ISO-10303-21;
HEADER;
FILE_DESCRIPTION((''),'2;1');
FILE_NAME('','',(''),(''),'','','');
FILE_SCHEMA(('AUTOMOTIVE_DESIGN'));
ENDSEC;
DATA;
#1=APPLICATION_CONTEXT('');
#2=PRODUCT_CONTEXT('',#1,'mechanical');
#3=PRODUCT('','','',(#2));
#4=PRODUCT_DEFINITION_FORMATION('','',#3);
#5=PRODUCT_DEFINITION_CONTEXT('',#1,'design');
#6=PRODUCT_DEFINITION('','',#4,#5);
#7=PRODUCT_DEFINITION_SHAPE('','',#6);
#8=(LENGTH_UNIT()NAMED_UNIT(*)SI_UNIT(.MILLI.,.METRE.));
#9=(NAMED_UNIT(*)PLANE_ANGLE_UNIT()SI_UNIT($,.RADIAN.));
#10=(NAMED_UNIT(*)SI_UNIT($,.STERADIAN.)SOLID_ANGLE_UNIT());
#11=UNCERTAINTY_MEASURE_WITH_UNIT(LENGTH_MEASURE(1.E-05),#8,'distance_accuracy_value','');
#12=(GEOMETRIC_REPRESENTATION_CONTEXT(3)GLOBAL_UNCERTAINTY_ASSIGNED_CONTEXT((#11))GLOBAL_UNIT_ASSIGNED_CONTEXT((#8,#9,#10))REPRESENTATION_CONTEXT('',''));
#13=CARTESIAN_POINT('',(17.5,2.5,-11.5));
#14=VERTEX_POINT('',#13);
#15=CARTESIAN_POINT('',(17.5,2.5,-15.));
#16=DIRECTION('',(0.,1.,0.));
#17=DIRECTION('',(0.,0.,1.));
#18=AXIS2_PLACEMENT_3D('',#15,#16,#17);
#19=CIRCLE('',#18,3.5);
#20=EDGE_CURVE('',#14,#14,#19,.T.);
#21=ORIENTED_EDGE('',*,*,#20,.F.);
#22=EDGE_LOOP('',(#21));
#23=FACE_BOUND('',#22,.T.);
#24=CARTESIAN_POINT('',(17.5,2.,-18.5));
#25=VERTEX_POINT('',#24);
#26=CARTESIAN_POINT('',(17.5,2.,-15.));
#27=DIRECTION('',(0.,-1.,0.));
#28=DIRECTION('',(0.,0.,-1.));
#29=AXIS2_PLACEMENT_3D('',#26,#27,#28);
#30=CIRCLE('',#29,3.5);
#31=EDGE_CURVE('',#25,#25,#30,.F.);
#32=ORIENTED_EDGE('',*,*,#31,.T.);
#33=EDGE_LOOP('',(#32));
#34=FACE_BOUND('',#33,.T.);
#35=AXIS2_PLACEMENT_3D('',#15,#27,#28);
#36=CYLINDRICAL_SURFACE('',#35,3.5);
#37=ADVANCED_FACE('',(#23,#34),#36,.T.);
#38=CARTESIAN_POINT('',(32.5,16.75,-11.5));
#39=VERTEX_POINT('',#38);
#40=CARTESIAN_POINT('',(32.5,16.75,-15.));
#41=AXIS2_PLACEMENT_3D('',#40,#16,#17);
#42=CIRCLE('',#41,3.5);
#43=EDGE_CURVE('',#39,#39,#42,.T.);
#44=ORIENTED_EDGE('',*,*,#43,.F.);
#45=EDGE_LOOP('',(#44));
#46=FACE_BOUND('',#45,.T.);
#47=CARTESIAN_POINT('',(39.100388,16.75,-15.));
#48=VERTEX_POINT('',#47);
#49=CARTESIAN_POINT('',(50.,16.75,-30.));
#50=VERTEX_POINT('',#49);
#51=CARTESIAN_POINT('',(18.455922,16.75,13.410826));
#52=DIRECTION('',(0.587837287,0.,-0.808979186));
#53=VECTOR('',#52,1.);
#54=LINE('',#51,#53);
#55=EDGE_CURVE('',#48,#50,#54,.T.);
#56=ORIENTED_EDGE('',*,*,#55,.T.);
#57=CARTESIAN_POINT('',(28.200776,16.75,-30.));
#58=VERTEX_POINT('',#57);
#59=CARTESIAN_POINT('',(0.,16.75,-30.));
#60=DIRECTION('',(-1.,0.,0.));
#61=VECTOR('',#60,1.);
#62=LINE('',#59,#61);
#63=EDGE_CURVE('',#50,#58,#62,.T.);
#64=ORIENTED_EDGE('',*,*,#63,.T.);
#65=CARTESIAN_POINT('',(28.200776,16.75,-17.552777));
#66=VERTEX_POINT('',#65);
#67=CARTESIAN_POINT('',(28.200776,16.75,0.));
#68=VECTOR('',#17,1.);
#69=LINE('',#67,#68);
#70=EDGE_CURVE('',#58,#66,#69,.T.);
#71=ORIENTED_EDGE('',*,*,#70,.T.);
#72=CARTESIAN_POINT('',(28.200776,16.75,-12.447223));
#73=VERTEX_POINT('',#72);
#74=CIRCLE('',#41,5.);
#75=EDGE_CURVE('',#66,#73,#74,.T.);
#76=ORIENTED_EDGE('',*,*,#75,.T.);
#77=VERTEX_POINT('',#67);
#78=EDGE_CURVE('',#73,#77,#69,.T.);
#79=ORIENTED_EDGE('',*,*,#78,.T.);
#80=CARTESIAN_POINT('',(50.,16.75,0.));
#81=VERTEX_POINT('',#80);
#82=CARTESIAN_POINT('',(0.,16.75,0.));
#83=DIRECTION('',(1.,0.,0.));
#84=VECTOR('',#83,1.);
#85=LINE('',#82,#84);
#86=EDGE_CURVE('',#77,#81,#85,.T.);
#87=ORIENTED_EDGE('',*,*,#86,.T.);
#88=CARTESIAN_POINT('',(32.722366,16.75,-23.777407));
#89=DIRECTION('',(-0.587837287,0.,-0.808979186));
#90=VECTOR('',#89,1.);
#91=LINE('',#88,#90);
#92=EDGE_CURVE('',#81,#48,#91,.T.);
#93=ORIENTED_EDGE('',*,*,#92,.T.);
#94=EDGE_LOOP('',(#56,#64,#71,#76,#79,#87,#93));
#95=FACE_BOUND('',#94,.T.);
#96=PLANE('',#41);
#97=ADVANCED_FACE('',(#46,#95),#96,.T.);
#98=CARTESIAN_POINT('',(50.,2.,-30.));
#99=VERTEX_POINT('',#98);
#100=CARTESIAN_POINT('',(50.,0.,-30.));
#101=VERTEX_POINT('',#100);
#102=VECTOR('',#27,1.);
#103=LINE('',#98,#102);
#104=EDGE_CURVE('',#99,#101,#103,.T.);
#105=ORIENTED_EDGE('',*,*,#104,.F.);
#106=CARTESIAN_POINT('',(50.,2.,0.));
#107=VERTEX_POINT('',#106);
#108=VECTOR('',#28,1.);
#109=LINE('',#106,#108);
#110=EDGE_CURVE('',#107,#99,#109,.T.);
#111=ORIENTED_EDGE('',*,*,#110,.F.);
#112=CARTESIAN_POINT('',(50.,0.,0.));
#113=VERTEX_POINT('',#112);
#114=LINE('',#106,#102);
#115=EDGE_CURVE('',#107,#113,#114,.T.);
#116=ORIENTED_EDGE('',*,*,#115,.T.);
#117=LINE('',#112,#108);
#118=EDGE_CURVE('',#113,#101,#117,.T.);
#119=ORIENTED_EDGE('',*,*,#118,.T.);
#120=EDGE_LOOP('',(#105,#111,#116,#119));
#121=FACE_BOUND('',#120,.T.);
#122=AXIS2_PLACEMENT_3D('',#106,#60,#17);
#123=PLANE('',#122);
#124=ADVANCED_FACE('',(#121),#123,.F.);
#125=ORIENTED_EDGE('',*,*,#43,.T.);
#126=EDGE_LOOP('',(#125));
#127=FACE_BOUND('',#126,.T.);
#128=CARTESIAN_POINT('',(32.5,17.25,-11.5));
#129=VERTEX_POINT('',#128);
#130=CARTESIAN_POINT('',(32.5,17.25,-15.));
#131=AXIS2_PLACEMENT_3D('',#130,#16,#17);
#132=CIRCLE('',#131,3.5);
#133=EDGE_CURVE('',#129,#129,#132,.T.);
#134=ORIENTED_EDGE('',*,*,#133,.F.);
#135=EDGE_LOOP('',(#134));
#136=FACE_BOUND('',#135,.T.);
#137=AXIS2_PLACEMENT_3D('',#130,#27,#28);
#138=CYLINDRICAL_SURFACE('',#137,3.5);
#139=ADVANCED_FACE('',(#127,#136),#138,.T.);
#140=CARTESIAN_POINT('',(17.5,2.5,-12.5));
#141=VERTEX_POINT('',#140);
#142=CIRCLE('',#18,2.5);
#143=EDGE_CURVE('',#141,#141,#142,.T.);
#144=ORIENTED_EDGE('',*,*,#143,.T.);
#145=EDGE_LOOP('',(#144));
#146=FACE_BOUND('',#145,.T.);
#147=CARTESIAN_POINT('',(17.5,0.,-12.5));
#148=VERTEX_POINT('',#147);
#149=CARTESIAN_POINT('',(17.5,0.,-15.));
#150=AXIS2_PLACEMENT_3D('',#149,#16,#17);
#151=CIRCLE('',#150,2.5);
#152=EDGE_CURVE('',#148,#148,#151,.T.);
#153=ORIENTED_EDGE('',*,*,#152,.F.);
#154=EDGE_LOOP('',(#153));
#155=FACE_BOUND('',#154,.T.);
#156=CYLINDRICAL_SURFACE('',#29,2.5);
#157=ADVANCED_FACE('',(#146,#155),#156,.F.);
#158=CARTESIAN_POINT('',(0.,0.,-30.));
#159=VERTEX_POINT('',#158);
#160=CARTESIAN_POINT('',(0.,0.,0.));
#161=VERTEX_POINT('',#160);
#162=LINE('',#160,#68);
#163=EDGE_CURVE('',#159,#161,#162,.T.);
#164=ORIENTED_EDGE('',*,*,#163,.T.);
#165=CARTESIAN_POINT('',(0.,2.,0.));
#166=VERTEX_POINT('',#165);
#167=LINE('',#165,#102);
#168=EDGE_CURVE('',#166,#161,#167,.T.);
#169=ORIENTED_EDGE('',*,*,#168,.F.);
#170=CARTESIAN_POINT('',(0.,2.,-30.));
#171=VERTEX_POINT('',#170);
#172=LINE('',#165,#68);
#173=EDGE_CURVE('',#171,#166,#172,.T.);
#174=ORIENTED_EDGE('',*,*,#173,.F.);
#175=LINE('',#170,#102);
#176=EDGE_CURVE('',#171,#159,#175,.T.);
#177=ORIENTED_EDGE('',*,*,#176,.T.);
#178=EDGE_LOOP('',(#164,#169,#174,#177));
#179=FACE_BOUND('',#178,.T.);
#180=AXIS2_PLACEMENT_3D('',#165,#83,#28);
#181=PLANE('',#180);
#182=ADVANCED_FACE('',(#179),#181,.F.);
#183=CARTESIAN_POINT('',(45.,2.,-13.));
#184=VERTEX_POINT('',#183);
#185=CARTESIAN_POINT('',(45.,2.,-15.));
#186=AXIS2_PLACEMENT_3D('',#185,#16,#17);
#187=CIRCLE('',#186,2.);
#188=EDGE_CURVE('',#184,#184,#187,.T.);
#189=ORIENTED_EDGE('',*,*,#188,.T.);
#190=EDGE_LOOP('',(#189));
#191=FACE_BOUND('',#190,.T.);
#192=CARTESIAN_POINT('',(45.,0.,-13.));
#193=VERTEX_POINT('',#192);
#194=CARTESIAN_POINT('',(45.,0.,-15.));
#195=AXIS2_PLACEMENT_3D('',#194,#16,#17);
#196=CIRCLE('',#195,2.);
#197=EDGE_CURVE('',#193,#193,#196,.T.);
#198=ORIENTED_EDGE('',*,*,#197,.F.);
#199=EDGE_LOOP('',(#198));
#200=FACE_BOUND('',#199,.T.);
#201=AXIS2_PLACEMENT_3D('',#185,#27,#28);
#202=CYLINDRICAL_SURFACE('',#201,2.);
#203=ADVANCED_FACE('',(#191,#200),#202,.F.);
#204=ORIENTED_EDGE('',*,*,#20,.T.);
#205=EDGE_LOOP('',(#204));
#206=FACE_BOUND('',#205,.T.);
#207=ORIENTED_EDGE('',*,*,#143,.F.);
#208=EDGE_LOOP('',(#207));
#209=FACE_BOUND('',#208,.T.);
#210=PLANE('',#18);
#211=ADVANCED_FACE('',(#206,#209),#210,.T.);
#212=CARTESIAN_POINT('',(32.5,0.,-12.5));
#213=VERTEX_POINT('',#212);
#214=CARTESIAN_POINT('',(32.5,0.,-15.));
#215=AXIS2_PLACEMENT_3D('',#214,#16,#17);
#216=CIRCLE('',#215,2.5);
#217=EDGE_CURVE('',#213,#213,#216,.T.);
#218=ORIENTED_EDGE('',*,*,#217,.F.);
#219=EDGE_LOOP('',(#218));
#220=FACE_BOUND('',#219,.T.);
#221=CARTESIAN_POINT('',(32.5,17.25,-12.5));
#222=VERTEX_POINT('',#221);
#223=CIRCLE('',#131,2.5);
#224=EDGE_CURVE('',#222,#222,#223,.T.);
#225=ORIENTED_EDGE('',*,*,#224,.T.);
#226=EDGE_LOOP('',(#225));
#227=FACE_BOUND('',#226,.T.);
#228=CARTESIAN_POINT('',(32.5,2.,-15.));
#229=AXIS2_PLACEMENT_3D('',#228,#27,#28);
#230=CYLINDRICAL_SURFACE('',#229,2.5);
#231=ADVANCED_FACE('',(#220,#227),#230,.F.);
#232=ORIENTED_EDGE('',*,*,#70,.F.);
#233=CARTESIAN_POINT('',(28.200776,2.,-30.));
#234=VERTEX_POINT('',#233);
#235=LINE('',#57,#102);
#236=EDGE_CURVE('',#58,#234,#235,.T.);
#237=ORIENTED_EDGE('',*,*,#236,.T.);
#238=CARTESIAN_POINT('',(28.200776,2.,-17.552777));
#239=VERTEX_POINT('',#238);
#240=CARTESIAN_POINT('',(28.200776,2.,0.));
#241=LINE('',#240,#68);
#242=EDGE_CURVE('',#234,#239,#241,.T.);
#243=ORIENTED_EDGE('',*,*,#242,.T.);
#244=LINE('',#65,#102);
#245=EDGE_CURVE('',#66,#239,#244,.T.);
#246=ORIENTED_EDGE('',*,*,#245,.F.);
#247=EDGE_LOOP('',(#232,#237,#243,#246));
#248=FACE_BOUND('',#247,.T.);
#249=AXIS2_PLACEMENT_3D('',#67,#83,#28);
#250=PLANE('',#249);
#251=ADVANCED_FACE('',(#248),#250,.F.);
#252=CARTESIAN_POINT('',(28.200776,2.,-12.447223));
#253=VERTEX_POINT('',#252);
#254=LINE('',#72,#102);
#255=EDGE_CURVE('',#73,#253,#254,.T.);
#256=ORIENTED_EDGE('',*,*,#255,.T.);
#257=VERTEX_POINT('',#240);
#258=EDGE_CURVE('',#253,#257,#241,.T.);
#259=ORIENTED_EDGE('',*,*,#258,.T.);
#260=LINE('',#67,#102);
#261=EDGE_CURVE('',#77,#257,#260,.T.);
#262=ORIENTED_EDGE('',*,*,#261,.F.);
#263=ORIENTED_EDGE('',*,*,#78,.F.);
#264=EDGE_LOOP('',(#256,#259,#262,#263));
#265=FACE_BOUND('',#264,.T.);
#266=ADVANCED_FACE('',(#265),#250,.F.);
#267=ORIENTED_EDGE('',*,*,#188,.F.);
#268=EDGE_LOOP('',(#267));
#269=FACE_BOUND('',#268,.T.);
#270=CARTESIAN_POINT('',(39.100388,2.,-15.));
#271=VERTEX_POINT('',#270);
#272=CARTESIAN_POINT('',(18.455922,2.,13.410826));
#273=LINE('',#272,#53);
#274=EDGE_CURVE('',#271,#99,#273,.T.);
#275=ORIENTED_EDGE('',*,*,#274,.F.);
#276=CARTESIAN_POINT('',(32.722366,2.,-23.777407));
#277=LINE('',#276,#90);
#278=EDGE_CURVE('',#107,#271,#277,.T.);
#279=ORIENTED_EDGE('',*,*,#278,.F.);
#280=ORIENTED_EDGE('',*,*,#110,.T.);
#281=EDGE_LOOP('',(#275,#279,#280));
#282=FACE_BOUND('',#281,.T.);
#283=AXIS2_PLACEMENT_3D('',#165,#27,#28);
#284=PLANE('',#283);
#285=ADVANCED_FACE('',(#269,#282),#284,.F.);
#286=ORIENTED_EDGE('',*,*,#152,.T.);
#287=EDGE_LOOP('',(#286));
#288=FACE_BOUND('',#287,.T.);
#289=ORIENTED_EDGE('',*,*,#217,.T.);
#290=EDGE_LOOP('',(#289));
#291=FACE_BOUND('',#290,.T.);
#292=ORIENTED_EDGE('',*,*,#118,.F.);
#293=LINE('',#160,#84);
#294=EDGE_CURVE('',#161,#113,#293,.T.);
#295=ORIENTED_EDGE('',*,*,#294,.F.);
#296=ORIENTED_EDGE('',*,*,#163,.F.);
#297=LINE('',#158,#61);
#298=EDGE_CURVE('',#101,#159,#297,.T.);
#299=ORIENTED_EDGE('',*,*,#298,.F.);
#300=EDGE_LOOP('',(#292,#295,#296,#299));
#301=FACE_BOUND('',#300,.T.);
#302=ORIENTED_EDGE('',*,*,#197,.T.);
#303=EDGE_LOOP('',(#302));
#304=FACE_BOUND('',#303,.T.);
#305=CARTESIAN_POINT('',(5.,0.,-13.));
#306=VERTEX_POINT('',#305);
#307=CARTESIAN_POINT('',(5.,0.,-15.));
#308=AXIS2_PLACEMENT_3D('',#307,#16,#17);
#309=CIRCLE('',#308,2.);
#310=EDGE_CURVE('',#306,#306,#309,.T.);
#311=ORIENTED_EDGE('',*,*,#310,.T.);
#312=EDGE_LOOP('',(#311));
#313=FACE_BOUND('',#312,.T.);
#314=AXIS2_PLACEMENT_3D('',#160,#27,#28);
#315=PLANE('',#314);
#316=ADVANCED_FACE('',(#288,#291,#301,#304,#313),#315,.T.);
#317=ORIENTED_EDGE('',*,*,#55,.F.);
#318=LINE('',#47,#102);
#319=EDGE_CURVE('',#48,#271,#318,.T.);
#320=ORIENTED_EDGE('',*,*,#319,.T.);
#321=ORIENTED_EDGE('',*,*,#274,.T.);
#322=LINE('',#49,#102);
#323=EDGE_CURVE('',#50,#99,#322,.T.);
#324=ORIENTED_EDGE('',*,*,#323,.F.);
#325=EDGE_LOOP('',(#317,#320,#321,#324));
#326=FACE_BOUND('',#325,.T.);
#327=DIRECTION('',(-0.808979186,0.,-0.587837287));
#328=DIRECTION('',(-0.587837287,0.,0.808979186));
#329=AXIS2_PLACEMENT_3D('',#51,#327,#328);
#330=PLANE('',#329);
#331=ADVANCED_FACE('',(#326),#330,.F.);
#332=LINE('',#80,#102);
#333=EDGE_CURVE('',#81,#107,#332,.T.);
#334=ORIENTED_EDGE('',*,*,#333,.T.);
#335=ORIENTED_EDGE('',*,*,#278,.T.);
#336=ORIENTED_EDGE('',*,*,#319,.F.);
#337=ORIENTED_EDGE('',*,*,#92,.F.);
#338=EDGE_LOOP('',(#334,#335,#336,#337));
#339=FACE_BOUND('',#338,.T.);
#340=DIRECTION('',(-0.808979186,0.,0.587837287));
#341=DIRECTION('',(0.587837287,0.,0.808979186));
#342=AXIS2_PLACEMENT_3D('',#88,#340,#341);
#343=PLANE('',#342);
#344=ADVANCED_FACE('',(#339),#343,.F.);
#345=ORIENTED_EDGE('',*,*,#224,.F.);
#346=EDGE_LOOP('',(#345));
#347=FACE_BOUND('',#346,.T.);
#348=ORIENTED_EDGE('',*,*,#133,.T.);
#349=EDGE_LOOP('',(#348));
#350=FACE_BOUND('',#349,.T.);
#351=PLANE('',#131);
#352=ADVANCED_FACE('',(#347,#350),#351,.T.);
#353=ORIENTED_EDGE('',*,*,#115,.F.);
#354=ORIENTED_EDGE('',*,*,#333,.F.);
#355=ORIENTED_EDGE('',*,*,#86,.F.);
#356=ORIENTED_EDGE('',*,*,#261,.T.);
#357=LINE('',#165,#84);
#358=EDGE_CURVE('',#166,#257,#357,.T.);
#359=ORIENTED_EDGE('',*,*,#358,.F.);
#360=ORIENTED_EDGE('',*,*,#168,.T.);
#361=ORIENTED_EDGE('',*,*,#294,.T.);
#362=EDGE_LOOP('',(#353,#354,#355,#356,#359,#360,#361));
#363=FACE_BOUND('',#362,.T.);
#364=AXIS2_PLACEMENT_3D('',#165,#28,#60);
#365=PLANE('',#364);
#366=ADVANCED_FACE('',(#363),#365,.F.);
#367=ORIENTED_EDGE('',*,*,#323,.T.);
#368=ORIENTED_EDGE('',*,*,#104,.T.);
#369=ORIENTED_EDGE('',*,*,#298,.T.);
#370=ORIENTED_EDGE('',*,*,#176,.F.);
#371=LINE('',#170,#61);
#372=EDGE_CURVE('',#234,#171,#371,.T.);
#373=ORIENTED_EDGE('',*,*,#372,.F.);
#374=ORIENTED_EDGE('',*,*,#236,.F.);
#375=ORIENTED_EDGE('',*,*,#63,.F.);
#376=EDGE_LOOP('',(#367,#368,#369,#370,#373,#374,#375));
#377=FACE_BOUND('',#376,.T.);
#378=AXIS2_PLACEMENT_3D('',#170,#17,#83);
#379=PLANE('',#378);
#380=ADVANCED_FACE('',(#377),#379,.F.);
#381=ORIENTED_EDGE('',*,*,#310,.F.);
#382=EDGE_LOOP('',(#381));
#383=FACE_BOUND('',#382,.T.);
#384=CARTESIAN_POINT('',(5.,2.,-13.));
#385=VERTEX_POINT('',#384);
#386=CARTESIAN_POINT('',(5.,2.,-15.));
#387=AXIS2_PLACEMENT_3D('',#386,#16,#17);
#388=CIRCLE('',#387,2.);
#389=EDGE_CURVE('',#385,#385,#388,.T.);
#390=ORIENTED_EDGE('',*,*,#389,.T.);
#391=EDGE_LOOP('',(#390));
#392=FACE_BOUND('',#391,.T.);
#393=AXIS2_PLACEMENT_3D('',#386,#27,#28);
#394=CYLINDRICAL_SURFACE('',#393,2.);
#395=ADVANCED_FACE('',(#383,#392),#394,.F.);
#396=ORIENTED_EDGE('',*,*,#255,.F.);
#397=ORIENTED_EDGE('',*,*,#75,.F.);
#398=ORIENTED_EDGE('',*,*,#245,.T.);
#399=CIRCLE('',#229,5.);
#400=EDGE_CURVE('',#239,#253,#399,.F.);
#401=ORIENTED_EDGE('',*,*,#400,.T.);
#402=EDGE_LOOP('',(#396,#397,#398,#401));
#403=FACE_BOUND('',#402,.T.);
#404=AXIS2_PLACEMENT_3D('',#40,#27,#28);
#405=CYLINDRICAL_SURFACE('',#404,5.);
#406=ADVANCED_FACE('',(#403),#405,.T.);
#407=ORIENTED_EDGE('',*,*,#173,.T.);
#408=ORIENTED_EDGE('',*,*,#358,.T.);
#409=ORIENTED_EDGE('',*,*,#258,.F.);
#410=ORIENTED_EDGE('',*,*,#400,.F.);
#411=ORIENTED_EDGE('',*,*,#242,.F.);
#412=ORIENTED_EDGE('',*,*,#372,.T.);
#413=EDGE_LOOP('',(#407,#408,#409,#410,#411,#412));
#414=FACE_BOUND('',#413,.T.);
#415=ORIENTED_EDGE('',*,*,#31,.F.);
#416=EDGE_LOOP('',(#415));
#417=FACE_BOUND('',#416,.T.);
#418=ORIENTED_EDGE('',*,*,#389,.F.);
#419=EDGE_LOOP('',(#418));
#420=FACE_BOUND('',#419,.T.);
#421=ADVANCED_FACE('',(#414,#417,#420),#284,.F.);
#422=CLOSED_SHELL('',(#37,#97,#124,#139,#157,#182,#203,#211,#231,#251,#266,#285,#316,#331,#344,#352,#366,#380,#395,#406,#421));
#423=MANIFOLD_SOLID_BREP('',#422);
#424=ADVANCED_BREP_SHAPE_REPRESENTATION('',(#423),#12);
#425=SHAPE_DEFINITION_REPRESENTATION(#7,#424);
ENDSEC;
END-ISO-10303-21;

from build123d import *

# Parameters (mm, degrees)
SKETCH1_W           = 50
SKETCH1_H           = 30
SKETCH1_R           = 2
SKETCH1_R_2         = 2.5
BOSS_EXTRUDE1_DEPTH = 2
SKETCH2_R           = 5
SKETCH2_R_2         = 2.5
BOSS_EXTRUDE2_DEPTH = 14.75
SKETCH3_R           = 3.5
SKETCH3_R_2         = 2.5
BOSS_EXTRUDE3_DEPTH = 0.5
SKETCH4_R           = 3.5
SKETCH4_R_2         = 2.5
BOSS_EXTRUDE4_DEPTH = 0.5
BOSS_EXTRUDE5_DEPTH = 14.75


with BuildPart() as part:
    # Sketch1 → Boss-Extrude1 (new body)
    with BuildSketch(Plane(origin=(0, 0, 0), x_dir=(1, 0, 0), z_dir=(0, 1, 0))):
        with Locations((25, 15)):
            Rectangle(SKETCH1_W, SKETCH1_H)
        with Locations(Location((5, 15, 0), (0, 0, 270))):
            Circle(SKETCH1_R, mode=Mode.SUBTRACT)
        with Locations(Location((45, 15, 0), (0, 0, 270))):
            Circle(SKETCH1_R, mode=Mode.SUBTRACT)
        with Locations(Location((17.5, 15, 0), (0, 0, 270))):
            Circle(SKETCH1_R_2, mode=Mode.SUBTRACT)
        with Locations(Location((32.5, 15, 0), (0, 0, 270))):
            Circle(SKETCH1_R_2, mode=Mode.SUBTRACT)
    extrude(amount=BOSS_EXTRUDE1_DEPTH)

    # Sketch2 → Boss-Extrude2 (add)
    with BuildSketch(Plane(origin=(0, 2, 0), x_dir=(1, 0, 0), z_dir=(0, 1, 0))):
        with Locations(Location((32.5, 15, 0), (0, 0, 90))):
            Circle(SKETCH2_R)
        with Locations(Location((32.5, 15, 0), (0, 0, 270))):
            Circle(SKETCH2_R_2, mode=Mode.SUBTRACT)
    extrude(amount=BOSS_EXTRUDE2_DEPTH)

    # Sketch3 → Boss-Extrude3 (add)
    with BuildSketch(Plane(origin=(0, 2, 0), x_dir=(1, 0, 0), z_dir=(0, 1, 0))):
        with Locations(Location((17.5, 15, 0), (0, 0, 90))):
            Circle(SKETCH3_R)
        with Locations(Location((17.5, 15, 0), (0, 0, 270))):
            Circle(SKETCH3_R_2, mode=Mode.SUBTRACT)
    extrude(amount=BOSS_EXTRUDE3_DEPTH)

    # Sketch4 → Boss-Extrude4 (add)
    with BuildSketch(Plane(origin=(0, 16.75, 0), x_dir=(1, 0, 0), z_dir=(0, 1, 0))):
        with Locations(Location((32.5, 15, 0), (0, 0, 270))):
            Circle(SKETCH4_R)
        with Locations(Location((32.5, 15, 0), (0, 0, 270))):
            Circle(SKETCH4_R_2, mode=Mode.SUBTRACT)
    extrude(amount=BOSS_EXTRUDE4_DEPTH)

    # Sketch5 → Boss-Extrude5 (add)
    with BuildSketch(Plane(origin=(0, 2, 0), x_dir=(1, 0, 0), z_dir=(0, 1, 0))):
        with BuildLine():
            Line((50, 30), (28.200775839, 30))
            Line((28.200775839, 30), (28.200775839, 17.552777235))
            ThreePointArc((28.200775839, 17.552777235), (33.823608551, 19.821624249), (37.5, 15))
            ThreePointArc((37.5, 15), (33.823608551, 10.178375751), (28.200775839, 12.447222765))
            Line((28.200775839, 12.447222765), (28.200775839, 0))
            Line((28.200775839, 0), (50, 0))
            Line((50, 0), (39.100387919, 15))
            Line((39.100387919, 15), (50, 30))
        make_face()
    extrude(amount=BOSS_EXTRUDE5_DEPTH)


solid = part.part
